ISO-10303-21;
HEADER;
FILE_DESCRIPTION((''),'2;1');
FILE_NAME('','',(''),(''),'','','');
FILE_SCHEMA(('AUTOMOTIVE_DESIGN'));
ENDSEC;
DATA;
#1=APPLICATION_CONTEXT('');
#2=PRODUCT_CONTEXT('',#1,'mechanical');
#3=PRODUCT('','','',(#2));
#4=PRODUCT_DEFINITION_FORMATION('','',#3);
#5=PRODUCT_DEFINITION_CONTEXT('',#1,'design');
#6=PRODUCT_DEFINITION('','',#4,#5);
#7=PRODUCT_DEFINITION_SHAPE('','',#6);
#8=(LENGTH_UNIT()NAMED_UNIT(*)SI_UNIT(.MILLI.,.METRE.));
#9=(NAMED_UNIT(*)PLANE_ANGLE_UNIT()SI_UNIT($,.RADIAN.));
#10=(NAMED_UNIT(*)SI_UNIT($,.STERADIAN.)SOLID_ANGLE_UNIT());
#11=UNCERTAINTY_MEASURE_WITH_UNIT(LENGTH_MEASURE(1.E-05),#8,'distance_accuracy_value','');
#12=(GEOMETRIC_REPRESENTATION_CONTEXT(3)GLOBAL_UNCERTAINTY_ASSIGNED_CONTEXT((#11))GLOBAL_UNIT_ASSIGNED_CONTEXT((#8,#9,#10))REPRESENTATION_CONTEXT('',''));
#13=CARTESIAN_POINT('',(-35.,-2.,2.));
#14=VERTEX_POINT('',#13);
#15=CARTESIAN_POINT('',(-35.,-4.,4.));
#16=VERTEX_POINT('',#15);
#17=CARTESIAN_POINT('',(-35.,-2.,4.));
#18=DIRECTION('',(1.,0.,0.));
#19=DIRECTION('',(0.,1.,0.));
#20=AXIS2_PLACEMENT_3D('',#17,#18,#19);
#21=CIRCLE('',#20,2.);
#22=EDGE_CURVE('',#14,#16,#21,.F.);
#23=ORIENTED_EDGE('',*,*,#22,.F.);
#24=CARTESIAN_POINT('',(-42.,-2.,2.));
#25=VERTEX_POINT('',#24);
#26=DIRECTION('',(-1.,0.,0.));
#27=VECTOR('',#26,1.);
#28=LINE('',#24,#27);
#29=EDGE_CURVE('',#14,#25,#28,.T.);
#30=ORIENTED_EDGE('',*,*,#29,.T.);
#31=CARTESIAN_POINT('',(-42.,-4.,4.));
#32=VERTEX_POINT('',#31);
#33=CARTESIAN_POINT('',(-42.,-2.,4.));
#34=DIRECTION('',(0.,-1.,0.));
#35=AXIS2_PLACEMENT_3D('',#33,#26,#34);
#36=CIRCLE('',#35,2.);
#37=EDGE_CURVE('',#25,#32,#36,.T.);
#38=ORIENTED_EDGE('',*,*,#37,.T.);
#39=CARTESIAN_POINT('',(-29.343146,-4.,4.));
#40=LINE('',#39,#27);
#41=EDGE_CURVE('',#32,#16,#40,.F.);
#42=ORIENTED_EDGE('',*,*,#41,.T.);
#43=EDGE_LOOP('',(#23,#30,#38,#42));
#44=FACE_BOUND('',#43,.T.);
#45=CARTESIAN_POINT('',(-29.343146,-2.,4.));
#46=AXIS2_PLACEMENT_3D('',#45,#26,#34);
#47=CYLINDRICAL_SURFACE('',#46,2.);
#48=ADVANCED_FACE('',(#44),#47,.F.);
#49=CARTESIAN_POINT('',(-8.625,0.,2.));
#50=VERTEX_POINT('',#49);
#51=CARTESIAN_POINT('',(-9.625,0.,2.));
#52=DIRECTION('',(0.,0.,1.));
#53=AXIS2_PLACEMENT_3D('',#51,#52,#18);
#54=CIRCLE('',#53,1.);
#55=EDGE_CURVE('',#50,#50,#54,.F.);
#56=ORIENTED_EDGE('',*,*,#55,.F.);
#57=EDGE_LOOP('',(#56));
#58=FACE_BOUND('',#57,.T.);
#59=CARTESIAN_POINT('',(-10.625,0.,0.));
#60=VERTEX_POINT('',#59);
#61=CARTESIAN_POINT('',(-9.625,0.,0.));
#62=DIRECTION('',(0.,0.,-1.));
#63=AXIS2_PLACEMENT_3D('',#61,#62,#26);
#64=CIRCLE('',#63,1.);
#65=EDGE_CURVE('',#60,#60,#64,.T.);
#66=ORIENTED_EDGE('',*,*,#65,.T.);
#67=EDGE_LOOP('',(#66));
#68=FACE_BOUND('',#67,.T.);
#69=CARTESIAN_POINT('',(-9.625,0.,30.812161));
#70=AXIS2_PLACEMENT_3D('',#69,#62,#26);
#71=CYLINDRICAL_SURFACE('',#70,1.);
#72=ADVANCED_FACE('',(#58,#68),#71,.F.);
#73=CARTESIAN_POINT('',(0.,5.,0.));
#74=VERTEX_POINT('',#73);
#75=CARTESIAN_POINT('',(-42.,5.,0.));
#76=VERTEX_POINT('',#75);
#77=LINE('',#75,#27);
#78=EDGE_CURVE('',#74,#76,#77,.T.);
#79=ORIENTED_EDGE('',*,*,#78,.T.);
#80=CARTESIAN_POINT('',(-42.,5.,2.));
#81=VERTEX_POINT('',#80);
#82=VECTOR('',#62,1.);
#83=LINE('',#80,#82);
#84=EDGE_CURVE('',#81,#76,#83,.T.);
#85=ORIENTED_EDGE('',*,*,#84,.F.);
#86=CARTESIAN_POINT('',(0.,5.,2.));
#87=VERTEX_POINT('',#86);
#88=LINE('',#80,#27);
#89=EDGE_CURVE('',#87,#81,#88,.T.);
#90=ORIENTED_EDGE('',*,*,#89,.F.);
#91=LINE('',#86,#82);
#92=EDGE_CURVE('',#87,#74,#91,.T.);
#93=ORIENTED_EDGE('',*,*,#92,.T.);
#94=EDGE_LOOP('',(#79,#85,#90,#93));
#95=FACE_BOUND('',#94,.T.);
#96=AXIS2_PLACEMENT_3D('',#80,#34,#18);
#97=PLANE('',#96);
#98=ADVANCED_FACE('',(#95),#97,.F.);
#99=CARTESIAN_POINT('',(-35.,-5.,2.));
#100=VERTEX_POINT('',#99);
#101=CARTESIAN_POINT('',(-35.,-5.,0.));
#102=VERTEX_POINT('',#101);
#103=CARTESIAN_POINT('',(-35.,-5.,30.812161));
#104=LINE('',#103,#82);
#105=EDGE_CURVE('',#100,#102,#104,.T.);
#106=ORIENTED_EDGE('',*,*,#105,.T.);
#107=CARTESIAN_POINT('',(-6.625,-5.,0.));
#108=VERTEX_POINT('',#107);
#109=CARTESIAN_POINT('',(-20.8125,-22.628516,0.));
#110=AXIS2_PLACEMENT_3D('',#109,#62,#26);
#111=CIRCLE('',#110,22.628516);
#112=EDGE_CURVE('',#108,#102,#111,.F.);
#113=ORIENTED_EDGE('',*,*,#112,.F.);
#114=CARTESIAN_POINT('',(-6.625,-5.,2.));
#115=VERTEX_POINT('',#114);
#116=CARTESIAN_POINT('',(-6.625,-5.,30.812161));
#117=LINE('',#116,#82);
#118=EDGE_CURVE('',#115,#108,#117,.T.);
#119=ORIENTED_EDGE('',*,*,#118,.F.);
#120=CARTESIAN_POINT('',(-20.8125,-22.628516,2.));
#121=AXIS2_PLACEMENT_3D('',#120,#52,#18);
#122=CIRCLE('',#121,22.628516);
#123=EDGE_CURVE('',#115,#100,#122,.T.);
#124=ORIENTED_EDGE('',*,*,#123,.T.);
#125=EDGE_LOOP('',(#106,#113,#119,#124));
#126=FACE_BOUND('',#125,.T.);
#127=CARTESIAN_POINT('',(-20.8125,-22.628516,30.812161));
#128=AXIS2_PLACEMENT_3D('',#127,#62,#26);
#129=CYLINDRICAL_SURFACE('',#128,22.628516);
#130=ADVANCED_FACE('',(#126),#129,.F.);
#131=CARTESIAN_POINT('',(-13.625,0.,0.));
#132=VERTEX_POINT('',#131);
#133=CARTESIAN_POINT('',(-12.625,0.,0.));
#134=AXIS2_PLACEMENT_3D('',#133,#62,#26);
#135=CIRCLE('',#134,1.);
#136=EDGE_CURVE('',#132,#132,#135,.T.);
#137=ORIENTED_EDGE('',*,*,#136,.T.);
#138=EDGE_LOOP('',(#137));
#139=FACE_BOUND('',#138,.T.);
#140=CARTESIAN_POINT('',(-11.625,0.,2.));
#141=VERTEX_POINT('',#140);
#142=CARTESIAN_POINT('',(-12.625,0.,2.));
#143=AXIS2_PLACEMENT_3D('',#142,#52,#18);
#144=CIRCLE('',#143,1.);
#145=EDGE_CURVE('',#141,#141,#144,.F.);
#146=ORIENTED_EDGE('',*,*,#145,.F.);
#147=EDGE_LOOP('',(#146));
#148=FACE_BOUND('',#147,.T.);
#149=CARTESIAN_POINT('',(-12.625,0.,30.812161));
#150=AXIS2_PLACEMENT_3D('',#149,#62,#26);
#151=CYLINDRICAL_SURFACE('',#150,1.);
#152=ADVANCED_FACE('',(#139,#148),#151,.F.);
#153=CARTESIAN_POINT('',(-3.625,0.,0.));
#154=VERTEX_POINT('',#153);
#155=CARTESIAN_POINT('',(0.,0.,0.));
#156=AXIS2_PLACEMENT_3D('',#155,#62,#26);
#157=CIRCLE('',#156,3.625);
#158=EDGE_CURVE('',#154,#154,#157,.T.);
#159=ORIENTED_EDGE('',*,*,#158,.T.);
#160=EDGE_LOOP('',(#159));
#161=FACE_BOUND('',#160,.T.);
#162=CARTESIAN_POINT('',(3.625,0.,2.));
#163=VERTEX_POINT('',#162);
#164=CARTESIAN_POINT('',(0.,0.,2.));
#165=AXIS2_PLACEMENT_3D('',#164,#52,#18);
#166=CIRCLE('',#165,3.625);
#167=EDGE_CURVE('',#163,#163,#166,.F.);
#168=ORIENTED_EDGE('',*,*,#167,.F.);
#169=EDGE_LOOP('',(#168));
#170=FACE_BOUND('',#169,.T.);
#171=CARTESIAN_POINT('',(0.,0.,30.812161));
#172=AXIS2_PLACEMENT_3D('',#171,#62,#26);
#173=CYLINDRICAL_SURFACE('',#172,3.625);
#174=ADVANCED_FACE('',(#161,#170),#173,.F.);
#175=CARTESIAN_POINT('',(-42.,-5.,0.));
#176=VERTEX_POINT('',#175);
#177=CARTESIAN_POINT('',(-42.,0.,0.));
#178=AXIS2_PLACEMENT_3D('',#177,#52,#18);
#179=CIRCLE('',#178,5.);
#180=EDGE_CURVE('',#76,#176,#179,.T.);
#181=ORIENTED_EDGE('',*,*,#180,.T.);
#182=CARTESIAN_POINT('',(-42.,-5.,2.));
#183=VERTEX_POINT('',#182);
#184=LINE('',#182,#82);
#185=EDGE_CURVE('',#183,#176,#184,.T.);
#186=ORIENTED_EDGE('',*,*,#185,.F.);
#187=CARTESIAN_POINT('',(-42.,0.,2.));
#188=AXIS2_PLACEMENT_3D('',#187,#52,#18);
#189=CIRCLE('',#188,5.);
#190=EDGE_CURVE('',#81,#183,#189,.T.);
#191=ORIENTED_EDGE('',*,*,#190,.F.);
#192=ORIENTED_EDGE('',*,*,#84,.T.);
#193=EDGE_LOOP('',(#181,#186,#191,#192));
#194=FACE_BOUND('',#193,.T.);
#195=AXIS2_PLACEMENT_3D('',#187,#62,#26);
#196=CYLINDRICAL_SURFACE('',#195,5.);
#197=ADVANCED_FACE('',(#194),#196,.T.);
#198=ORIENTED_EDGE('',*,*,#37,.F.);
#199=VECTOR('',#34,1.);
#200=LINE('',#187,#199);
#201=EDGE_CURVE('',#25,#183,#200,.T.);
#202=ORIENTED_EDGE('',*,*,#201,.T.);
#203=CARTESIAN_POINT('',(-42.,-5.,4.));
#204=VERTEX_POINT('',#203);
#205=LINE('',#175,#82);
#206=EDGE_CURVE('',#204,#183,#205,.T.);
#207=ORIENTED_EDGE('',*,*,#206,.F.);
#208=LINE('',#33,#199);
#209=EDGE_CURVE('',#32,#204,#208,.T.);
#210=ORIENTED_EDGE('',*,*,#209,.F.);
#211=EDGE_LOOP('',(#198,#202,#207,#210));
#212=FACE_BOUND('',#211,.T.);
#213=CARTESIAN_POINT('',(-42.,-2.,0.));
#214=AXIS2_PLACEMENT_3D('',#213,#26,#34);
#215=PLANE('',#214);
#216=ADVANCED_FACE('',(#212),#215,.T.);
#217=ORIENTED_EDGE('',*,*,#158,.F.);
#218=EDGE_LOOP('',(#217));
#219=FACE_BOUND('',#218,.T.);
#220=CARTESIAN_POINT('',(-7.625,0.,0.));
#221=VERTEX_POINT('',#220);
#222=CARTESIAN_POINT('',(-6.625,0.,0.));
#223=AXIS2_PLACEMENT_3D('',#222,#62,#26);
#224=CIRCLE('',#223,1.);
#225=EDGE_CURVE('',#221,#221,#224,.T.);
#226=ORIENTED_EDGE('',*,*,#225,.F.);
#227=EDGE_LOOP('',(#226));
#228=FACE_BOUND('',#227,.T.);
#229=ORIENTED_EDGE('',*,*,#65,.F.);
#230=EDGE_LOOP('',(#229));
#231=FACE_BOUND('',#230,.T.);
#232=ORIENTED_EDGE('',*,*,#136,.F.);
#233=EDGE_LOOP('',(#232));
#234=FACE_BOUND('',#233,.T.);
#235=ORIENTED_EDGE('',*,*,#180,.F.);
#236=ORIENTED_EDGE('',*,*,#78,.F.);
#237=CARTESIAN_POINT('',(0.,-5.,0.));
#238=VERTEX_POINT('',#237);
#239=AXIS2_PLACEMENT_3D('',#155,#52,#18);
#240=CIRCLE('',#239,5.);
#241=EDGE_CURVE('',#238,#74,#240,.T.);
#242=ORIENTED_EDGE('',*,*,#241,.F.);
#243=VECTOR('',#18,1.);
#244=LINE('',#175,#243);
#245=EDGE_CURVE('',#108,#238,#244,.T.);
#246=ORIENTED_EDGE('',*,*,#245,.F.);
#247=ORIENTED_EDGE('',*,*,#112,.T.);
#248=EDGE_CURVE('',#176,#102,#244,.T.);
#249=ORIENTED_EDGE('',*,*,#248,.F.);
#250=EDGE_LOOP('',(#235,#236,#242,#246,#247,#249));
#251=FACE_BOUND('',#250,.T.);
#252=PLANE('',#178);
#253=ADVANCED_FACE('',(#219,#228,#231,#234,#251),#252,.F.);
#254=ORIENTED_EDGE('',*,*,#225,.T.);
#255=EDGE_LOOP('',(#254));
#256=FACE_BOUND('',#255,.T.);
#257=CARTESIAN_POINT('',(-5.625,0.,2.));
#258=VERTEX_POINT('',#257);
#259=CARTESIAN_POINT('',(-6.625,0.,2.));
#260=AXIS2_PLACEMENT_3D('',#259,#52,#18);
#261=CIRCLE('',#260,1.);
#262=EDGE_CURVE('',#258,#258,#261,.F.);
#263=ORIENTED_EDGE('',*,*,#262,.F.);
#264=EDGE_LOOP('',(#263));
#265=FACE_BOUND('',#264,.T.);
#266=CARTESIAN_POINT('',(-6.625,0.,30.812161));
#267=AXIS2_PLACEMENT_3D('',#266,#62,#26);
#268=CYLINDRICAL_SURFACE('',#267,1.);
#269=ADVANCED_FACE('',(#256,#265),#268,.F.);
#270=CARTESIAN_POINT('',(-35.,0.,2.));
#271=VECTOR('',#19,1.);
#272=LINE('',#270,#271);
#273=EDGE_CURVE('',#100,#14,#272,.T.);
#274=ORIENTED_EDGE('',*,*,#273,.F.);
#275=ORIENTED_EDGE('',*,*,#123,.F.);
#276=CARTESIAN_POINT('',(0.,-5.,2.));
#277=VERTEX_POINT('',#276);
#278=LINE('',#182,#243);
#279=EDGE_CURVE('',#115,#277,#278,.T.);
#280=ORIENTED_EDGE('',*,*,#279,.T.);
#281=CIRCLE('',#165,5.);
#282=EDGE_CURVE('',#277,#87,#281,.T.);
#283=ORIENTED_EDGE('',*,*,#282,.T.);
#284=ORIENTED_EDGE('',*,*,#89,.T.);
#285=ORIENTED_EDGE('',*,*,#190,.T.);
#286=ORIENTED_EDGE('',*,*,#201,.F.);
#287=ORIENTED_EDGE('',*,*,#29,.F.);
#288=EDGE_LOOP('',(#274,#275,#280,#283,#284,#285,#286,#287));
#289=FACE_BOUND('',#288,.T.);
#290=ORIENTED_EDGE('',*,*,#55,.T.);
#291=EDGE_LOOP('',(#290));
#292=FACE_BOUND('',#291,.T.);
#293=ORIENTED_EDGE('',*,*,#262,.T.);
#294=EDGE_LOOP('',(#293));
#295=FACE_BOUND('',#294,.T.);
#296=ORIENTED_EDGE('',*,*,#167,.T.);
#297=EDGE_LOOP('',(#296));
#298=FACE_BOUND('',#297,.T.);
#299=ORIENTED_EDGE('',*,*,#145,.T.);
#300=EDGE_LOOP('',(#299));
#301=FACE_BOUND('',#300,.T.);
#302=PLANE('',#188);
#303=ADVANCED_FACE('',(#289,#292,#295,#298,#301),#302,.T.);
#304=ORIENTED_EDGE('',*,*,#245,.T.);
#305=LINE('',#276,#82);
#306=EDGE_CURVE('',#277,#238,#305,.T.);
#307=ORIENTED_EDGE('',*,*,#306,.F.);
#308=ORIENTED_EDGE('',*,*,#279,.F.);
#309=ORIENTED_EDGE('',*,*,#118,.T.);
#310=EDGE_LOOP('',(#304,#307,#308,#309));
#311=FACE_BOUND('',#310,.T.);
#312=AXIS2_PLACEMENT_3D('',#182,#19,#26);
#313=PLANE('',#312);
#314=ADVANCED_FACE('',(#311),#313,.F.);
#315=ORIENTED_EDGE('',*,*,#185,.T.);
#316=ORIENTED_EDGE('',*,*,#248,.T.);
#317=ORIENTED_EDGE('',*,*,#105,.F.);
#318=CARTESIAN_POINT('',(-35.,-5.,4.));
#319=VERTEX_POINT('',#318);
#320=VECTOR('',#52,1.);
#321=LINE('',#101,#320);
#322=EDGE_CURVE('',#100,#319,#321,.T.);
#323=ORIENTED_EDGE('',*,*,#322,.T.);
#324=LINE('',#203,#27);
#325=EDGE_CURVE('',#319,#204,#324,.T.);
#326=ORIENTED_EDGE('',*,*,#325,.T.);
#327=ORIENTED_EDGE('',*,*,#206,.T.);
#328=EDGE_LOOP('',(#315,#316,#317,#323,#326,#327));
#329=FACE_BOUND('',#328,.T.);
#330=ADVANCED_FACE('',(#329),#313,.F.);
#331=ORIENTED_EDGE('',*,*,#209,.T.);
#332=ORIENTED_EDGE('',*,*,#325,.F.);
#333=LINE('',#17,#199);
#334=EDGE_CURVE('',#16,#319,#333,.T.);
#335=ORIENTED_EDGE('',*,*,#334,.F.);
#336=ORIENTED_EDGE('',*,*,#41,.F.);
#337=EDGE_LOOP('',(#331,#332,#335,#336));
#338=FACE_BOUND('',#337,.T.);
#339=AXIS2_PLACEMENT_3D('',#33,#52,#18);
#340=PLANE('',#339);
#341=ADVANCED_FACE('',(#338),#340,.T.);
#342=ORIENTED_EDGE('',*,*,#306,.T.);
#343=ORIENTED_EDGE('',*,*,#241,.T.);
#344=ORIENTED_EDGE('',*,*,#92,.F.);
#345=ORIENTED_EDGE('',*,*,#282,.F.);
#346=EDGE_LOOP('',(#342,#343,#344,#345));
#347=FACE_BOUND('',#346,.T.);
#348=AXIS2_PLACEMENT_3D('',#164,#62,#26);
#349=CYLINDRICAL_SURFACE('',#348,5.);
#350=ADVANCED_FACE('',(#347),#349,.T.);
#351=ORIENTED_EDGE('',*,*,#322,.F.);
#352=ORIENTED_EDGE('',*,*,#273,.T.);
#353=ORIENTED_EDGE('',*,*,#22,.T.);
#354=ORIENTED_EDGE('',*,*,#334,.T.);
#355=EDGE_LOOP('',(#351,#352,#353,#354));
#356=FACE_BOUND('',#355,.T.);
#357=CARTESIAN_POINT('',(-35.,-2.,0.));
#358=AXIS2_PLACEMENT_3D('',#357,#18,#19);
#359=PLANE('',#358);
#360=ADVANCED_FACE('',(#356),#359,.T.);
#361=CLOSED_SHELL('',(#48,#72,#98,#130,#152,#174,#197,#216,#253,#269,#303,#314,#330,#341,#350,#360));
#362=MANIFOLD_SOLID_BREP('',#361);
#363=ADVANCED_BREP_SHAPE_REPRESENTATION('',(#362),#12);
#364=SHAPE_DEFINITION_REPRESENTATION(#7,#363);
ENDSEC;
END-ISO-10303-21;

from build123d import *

# Parameters (mm, degrees)
BOSS_EXTRUDE1_DEPTH = 2
SKETCH3_R           = 3.625
SKETCH3_R_2         = 1
CUT_EXTRUDE1_DEPTH  = 2
SKETCH4_W           = 7
SKETCH4_H           = 4
BOSS_EXTRUDE2_DEPTH = 3
SKETCH7_R           = 2
CUT_EXTRUDE2_DEPTH  = 7


with BuildPart() as part:
    # Sketch1 → Boss-Extrude1 (new body)
    with BuildSketch(Plane.XY):
        with BuildLine():
            Line((-42, 5), (0, 5))
            ThreePointArc((0, 5), (5, 0), (0, -5))
            Line((0, -5), (-42, -5))
            ThreePointArc((-42, -5), (-47, 0), (-42, 5))
        make_face()
    extrude(amount=BOSS_EXTRUDE1_DEPTH)

    # Sketch3 → Cut-Extrude1 (cut)
    with BuildSketch(Plane(origin=(0, 0, 0), x_dir=(-1, 0, 0), z_dir=(0, 0, -1))):
        with BuildLine():
            Line((6.625, -5), (35, -5))
            ThreePointArc((35, -5), (20.8125, 0), (6.625, -5))
        make_face()
        Circle(SKETCH3_R)
        with Locations((6.625, 0)):
            Circle(SKETCH3_R_2)
        with Locations((9.625, 0)):
            Circle(SKETCH3_R_2)
        with Locations((12.625, 0)):
            Circle(SKETCH3_R_2)
    extrude(amount=-CUT_EXTRUDE1_DEPTH, mode=Mode.SUBTRACT)

    # Sketch4 → Boss-Extrude2 (add)
    with BuildSketch(Plane.XZ.offset(5)):
        with Locations((-38.5, 2)):
            Rectangle(SKETCH4_W, SKETCH4_H)
    extrude(amount=-BOSS_EXTRUDE2_DEPTH)

    # Sketch7 → Cut-Extrude2 (cut)
    with BuildSketch(Plane.ZY.offset(42)):
        with Locations((4, -2)):
            Circle(SKETCH7_R)
    extrude(amount=-CUT_EXTRUDE2_DEPTH, mode=Mode.SUBTRACT)


solid = part.part
